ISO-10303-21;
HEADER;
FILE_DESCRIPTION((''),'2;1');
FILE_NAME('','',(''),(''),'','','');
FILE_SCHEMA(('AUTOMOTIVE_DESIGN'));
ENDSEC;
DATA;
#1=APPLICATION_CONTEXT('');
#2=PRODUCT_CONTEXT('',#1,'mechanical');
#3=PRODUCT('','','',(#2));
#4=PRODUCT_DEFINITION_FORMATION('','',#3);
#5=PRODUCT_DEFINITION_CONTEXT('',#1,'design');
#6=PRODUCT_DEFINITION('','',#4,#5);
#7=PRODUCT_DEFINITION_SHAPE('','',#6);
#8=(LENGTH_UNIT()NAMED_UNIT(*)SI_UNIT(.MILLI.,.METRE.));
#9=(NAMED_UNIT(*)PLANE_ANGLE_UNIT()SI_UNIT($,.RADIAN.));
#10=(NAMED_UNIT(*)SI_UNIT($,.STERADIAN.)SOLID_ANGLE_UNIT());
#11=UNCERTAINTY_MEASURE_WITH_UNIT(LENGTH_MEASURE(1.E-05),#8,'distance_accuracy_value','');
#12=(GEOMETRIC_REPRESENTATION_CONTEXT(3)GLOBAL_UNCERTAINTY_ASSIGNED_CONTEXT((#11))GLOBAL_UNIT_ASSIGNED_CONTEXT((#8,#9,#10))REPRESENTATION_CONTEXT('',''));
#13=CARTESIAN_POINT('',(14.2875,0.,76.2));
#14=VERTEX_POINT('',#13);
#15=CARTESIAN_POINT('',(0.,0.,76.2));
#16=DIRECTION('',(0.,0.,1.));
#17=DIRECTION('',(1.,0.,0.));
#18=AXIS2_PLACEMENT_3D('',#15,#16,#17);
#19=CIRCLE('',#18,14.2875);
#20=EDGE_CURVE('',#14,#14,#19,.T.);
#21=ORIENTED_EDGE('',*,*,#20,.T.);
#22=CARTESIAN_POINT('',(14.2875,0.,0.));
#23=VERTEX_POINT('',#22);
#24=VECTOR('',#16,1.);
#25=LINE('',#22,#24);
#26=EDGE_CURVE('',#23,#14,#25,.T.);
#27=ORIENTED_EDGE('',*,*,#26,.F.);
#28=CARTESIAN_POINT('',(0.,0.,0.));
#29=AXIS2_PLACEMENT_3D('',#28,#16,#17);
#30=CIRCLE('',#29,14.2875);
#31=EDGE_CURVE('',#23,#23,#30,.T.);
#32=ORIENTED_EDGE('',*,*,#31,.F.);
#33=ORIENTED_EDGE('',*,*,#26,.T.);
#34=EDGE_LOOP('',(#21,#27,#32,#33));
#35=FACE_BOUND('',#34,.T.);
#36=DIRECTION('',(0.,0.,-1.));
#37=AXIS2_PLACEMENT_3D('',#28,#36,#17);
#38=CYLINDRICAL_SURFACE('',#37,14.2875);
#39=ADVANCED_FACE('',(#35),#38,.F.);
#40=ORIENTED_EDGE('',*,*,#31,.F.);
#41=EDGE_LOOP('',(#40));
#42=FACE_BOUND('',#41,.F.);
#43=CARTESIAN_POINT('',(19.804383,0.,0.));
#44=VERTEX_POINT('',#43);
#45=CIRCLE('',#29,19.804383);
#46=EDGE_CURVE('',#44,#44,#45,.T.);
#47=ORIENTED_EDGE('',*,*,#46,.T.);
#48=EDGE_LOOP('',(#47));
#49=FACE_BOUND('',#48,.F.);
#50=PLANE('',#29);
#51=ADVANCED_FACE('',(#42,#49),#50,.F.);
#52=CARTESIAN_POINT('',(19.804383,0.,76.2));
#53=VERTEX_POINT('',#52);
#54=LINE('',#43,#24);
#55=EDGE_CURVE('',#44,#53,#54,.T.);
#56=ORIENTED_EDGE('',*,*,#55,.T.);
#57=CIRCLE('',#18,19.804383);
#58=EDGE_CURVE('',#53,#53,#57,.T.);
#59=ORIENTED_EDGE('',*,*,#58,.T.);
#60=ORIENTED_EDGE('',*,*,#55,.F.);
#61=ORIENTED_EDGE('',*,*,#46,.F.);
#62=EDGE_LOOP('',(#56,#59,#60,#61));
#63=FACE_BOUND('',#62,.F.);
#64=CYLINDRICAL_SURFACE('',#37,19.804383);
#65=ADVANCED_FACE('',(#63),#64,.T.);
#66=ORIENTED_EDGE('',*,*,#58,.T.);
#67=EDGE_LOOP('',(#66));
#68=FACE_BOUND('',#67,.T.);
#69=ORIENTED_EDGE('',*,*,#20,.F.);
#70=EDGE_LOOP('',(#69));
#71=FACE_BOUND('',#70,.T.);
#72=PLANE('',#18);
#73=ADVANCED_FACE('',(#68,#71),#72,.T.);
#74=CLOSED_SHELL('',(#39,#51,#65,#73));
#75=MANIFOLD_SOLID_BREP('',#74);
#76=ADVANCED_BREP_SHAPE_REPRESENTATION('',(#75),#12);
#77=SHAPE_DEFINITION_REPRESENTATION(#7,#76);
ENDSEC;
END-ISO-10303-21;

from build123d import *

# Parameters (mm, degrees)
F0_R     = 19.804383
F0_R_2   = 17.4625
F0_R_3   = 14.2875
F1_DEPTH = 76.2


with BuildPart() as f1:
    # F0 (on Top) → F1 (new body)
    with BuildSketch(Plane.XY):
        Circle(F0_R)
        Circle(F0_R_2, mode=Mode.SUBTRACT)
        Circle(F0_R_2)
        Circle(F0_R_3, mode=Mode.SUBTRACT)
    extrude(amount=F1_DEPTH)


solid = f1.part
